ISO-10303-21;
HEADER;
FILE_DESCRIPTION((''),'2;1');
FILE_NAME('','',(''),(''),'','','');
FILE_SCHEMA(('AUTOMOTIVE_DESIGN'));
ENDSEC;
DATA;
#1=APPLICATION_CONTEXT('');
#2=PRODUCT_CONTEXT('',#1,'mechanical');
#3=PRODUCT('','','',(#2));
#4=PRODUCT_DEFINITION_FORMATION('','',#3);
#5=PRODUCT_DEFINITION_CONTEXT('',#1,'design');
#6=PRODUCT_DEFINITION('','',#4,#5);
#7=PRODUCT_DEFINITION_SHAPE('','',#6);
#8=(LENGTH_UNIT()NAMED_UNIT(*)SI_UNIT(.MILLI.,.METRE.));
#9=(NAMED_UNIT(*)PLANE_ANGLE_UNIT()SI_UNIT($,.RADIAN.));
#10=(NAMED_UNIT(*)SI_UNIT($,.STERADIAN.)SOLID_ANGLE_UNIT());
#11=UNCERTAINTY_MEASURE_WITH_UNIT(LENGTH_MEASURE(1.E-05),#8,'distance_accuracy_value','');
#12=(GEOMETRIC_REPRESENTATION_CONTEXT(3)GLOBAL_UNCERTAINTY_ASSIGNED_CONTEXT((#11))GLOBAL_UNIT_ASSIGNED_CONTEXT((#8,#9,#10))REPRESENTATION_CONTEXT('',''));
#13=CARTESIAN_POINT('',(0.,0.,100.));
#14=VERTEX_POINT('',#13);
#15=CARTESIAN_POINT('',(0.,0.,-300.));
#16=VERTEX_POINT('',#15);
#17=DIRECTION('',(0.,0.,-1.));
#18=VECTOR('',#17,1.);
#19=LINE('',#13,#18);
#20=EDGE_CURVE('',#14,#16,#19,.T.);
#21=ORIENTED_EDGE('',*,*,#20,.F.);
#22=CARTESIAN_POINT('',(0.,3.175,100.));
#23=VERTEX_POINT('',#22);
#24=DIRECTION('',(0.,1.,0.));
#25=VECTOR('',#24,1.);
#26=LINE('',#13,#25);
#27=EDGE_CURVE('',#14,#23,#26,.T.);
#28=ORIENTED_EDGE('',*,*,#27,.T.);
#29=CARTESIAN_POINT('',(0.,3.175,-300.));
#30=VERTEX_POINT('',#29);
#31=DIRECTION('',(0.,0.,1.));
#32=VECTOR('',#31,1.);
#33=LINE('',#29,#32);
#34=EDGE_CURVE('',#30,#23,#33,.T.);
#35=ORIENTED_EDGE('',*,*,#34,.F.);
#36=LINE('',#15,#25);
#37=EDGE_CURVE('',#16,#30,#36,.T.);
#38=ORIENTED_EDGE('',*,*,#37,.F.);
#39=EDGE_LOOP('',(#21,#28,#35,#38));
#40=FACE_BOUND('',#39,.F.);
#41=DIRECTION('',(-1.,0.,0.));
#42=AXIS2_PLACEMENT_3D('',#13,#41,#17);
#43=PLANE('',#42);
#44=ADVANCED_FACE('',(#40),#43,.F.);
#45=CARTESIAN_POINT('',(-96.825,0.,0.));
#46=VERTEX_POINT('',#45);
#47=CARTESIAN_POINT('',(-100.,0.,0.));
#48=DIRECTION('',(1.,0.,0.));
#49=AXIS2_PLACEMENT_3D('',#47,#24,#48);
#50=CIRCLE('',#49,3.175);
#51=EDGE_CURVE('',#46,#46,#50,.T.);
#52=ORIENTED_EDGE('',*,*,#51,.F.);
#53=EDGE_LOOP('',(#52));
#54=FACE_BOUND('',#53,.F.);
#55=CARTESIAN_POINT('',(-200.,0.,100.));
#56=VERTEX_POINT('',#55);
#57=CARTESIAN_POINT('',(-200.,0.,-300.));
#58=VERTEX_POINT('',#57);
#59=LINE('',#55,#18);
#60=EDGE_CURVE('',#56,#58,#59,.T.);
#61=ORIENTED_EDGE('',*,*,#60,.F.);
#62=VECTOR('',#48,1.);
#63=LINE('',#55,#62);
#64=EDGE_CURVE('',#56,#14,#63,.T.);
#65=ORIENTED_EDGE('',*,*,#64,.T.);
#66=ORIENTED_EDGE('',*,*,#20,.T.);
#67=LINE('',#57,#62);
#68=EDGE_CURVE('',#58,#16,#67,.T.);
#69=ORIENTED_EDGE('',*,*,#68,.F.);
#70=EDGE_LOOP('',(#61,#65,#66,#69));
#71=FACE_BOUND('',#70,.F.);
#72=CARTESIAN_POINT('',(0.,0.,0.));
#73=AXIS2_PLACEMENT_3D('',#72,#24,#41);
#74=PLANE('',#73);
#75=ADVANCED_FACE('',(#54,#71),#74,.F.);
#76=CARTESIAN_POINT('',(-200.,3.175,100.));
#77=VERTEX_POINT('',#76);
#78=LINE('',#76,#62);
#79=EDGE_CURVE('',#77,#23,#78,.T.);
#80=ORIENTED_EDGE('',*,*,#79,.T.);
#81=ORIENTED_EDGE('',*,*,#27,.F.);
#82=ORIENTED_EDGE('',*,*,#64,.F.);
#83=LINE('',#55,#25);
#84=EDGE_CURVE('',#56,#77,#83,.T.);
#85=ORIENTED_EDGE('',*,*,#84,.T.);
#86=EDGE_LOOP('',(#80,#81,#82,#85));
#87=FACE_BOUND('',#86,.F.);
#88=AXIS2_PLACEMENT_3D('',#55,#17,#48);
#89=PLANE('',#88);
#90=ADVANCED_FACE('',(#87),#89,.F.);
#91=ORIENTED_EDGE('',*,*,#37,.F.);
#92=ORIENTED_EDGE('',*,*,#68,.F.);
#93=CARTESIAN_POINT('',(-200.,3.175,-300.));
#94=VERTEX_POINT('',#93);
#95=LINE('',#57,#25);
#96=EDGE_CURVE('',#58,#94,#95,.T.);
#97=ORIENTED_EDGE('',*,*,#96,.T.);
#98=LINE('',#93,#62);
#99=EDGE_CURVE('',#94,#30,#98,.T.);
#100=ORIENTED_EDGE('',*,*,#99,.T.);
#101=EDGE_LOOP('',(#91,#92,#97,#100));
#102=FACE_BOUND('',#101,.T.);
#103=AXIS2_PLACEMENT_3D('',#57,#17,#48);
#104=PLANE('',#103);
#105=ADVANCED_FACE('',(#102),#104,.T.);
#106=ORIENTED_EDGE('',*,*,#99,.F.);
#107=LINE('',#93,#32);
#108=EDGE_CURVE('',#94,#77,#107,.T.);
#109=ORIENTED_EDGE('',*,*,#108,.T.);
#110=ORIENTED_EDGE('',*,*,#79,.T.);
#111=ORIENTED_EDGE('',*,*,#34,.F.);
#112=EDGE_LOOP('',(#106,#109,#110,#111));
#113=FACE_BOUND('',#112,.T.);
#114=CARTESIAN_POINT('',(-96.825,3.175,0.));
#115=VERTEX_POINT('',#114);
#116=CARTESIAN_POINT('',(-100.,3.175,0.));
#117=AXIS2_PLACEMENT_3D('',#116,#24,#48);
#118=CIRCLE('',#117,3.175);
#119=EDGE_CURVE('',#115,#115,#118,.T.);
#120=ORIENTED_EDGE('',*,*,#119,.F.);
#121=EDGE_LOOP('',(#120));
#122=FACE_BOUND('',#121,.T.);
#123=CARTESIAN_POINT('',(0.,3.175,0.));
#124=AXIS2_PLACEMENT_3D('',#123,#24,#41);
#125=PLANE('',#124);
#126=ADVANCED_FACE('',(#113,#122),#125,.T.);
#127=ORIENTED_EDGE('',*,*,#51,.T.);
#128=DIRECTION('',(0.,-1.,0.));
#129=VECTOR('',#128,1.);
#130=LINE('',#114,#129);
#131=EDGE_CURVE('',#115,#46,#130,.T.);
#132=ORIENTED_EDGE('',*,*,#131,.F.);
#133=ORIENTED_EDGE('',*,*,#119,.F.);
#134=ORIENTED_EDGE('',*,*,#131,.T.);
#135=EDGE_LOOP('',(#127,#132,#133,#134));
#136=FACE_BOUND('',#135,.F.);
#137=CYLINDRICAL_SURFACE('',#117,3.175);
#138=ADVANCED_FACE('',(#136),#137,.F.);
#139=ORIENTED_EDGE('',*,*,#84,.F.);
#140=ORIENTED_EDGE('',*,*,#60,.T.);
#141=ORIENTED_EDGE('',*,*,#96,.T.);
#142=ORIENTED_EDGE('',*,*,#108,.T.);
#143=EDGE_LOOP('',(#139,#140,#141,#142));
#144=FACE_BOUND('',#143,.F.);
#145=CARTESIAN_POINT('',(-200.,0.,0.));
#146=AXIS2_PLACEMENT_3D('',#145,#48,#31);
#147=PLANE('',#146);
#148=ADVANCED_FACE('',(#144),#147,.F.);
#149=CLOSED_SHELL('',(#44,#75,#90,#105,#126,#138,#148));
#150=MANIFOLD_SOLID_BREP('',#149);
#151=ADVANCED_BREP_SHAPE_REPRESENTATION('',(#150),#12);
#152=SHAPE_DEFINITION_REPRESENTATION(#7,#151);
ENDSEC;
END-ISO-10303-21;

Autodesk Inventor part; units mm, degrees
ref_plane "YZ Plane" through (0, 0, 0) normal (1, 0, 0) x (0, 1, 0)
ref_plane "XZ Plane" through (0, 0, 0) normal (0, 1, 0) x (-1, 0, 0)
ref_plane "XY Plane" through (0, 0, 0) normal (0, 0, 1) x (1, 0, 0)
sketch "Sketch1" plane through (0, 0, 0) normal (0, 1, 0) x (-1, 0, 0)
  line L0 (0, 0) -> (200, 0)
  line L1 (200, 0) -> (200, -300)
  line L2 (200, -300) -> (0, -300)
  line L3 (0, -300) -> (0, 0)
  line L4 (200, 0) -> (200, 100)
  line L5 (200, 100) -> (0, 100)
  line L6 (0, 100) -> (0, 0)
  dimension "d0" = 200
  dimension "d1" = 300
  dimension "d2" = 100
extrude "Extrusion1" add sketch "Sketch1" along normal blind 3.175
sketch "Sketch2" plane through (0, 3.175, 0) normal (0, 1, 0) x (1, 0, 0)
  circle A0 centre (-100, 0) radius 3.175
  point P0 (0, 0)
  dimension "d6" = 6.35
extrude "Extrusion2" cut sketch "Sketch2" against normal blind 3.175
properties part number "Trebuchet V1 - Short Arm (Weight)"
